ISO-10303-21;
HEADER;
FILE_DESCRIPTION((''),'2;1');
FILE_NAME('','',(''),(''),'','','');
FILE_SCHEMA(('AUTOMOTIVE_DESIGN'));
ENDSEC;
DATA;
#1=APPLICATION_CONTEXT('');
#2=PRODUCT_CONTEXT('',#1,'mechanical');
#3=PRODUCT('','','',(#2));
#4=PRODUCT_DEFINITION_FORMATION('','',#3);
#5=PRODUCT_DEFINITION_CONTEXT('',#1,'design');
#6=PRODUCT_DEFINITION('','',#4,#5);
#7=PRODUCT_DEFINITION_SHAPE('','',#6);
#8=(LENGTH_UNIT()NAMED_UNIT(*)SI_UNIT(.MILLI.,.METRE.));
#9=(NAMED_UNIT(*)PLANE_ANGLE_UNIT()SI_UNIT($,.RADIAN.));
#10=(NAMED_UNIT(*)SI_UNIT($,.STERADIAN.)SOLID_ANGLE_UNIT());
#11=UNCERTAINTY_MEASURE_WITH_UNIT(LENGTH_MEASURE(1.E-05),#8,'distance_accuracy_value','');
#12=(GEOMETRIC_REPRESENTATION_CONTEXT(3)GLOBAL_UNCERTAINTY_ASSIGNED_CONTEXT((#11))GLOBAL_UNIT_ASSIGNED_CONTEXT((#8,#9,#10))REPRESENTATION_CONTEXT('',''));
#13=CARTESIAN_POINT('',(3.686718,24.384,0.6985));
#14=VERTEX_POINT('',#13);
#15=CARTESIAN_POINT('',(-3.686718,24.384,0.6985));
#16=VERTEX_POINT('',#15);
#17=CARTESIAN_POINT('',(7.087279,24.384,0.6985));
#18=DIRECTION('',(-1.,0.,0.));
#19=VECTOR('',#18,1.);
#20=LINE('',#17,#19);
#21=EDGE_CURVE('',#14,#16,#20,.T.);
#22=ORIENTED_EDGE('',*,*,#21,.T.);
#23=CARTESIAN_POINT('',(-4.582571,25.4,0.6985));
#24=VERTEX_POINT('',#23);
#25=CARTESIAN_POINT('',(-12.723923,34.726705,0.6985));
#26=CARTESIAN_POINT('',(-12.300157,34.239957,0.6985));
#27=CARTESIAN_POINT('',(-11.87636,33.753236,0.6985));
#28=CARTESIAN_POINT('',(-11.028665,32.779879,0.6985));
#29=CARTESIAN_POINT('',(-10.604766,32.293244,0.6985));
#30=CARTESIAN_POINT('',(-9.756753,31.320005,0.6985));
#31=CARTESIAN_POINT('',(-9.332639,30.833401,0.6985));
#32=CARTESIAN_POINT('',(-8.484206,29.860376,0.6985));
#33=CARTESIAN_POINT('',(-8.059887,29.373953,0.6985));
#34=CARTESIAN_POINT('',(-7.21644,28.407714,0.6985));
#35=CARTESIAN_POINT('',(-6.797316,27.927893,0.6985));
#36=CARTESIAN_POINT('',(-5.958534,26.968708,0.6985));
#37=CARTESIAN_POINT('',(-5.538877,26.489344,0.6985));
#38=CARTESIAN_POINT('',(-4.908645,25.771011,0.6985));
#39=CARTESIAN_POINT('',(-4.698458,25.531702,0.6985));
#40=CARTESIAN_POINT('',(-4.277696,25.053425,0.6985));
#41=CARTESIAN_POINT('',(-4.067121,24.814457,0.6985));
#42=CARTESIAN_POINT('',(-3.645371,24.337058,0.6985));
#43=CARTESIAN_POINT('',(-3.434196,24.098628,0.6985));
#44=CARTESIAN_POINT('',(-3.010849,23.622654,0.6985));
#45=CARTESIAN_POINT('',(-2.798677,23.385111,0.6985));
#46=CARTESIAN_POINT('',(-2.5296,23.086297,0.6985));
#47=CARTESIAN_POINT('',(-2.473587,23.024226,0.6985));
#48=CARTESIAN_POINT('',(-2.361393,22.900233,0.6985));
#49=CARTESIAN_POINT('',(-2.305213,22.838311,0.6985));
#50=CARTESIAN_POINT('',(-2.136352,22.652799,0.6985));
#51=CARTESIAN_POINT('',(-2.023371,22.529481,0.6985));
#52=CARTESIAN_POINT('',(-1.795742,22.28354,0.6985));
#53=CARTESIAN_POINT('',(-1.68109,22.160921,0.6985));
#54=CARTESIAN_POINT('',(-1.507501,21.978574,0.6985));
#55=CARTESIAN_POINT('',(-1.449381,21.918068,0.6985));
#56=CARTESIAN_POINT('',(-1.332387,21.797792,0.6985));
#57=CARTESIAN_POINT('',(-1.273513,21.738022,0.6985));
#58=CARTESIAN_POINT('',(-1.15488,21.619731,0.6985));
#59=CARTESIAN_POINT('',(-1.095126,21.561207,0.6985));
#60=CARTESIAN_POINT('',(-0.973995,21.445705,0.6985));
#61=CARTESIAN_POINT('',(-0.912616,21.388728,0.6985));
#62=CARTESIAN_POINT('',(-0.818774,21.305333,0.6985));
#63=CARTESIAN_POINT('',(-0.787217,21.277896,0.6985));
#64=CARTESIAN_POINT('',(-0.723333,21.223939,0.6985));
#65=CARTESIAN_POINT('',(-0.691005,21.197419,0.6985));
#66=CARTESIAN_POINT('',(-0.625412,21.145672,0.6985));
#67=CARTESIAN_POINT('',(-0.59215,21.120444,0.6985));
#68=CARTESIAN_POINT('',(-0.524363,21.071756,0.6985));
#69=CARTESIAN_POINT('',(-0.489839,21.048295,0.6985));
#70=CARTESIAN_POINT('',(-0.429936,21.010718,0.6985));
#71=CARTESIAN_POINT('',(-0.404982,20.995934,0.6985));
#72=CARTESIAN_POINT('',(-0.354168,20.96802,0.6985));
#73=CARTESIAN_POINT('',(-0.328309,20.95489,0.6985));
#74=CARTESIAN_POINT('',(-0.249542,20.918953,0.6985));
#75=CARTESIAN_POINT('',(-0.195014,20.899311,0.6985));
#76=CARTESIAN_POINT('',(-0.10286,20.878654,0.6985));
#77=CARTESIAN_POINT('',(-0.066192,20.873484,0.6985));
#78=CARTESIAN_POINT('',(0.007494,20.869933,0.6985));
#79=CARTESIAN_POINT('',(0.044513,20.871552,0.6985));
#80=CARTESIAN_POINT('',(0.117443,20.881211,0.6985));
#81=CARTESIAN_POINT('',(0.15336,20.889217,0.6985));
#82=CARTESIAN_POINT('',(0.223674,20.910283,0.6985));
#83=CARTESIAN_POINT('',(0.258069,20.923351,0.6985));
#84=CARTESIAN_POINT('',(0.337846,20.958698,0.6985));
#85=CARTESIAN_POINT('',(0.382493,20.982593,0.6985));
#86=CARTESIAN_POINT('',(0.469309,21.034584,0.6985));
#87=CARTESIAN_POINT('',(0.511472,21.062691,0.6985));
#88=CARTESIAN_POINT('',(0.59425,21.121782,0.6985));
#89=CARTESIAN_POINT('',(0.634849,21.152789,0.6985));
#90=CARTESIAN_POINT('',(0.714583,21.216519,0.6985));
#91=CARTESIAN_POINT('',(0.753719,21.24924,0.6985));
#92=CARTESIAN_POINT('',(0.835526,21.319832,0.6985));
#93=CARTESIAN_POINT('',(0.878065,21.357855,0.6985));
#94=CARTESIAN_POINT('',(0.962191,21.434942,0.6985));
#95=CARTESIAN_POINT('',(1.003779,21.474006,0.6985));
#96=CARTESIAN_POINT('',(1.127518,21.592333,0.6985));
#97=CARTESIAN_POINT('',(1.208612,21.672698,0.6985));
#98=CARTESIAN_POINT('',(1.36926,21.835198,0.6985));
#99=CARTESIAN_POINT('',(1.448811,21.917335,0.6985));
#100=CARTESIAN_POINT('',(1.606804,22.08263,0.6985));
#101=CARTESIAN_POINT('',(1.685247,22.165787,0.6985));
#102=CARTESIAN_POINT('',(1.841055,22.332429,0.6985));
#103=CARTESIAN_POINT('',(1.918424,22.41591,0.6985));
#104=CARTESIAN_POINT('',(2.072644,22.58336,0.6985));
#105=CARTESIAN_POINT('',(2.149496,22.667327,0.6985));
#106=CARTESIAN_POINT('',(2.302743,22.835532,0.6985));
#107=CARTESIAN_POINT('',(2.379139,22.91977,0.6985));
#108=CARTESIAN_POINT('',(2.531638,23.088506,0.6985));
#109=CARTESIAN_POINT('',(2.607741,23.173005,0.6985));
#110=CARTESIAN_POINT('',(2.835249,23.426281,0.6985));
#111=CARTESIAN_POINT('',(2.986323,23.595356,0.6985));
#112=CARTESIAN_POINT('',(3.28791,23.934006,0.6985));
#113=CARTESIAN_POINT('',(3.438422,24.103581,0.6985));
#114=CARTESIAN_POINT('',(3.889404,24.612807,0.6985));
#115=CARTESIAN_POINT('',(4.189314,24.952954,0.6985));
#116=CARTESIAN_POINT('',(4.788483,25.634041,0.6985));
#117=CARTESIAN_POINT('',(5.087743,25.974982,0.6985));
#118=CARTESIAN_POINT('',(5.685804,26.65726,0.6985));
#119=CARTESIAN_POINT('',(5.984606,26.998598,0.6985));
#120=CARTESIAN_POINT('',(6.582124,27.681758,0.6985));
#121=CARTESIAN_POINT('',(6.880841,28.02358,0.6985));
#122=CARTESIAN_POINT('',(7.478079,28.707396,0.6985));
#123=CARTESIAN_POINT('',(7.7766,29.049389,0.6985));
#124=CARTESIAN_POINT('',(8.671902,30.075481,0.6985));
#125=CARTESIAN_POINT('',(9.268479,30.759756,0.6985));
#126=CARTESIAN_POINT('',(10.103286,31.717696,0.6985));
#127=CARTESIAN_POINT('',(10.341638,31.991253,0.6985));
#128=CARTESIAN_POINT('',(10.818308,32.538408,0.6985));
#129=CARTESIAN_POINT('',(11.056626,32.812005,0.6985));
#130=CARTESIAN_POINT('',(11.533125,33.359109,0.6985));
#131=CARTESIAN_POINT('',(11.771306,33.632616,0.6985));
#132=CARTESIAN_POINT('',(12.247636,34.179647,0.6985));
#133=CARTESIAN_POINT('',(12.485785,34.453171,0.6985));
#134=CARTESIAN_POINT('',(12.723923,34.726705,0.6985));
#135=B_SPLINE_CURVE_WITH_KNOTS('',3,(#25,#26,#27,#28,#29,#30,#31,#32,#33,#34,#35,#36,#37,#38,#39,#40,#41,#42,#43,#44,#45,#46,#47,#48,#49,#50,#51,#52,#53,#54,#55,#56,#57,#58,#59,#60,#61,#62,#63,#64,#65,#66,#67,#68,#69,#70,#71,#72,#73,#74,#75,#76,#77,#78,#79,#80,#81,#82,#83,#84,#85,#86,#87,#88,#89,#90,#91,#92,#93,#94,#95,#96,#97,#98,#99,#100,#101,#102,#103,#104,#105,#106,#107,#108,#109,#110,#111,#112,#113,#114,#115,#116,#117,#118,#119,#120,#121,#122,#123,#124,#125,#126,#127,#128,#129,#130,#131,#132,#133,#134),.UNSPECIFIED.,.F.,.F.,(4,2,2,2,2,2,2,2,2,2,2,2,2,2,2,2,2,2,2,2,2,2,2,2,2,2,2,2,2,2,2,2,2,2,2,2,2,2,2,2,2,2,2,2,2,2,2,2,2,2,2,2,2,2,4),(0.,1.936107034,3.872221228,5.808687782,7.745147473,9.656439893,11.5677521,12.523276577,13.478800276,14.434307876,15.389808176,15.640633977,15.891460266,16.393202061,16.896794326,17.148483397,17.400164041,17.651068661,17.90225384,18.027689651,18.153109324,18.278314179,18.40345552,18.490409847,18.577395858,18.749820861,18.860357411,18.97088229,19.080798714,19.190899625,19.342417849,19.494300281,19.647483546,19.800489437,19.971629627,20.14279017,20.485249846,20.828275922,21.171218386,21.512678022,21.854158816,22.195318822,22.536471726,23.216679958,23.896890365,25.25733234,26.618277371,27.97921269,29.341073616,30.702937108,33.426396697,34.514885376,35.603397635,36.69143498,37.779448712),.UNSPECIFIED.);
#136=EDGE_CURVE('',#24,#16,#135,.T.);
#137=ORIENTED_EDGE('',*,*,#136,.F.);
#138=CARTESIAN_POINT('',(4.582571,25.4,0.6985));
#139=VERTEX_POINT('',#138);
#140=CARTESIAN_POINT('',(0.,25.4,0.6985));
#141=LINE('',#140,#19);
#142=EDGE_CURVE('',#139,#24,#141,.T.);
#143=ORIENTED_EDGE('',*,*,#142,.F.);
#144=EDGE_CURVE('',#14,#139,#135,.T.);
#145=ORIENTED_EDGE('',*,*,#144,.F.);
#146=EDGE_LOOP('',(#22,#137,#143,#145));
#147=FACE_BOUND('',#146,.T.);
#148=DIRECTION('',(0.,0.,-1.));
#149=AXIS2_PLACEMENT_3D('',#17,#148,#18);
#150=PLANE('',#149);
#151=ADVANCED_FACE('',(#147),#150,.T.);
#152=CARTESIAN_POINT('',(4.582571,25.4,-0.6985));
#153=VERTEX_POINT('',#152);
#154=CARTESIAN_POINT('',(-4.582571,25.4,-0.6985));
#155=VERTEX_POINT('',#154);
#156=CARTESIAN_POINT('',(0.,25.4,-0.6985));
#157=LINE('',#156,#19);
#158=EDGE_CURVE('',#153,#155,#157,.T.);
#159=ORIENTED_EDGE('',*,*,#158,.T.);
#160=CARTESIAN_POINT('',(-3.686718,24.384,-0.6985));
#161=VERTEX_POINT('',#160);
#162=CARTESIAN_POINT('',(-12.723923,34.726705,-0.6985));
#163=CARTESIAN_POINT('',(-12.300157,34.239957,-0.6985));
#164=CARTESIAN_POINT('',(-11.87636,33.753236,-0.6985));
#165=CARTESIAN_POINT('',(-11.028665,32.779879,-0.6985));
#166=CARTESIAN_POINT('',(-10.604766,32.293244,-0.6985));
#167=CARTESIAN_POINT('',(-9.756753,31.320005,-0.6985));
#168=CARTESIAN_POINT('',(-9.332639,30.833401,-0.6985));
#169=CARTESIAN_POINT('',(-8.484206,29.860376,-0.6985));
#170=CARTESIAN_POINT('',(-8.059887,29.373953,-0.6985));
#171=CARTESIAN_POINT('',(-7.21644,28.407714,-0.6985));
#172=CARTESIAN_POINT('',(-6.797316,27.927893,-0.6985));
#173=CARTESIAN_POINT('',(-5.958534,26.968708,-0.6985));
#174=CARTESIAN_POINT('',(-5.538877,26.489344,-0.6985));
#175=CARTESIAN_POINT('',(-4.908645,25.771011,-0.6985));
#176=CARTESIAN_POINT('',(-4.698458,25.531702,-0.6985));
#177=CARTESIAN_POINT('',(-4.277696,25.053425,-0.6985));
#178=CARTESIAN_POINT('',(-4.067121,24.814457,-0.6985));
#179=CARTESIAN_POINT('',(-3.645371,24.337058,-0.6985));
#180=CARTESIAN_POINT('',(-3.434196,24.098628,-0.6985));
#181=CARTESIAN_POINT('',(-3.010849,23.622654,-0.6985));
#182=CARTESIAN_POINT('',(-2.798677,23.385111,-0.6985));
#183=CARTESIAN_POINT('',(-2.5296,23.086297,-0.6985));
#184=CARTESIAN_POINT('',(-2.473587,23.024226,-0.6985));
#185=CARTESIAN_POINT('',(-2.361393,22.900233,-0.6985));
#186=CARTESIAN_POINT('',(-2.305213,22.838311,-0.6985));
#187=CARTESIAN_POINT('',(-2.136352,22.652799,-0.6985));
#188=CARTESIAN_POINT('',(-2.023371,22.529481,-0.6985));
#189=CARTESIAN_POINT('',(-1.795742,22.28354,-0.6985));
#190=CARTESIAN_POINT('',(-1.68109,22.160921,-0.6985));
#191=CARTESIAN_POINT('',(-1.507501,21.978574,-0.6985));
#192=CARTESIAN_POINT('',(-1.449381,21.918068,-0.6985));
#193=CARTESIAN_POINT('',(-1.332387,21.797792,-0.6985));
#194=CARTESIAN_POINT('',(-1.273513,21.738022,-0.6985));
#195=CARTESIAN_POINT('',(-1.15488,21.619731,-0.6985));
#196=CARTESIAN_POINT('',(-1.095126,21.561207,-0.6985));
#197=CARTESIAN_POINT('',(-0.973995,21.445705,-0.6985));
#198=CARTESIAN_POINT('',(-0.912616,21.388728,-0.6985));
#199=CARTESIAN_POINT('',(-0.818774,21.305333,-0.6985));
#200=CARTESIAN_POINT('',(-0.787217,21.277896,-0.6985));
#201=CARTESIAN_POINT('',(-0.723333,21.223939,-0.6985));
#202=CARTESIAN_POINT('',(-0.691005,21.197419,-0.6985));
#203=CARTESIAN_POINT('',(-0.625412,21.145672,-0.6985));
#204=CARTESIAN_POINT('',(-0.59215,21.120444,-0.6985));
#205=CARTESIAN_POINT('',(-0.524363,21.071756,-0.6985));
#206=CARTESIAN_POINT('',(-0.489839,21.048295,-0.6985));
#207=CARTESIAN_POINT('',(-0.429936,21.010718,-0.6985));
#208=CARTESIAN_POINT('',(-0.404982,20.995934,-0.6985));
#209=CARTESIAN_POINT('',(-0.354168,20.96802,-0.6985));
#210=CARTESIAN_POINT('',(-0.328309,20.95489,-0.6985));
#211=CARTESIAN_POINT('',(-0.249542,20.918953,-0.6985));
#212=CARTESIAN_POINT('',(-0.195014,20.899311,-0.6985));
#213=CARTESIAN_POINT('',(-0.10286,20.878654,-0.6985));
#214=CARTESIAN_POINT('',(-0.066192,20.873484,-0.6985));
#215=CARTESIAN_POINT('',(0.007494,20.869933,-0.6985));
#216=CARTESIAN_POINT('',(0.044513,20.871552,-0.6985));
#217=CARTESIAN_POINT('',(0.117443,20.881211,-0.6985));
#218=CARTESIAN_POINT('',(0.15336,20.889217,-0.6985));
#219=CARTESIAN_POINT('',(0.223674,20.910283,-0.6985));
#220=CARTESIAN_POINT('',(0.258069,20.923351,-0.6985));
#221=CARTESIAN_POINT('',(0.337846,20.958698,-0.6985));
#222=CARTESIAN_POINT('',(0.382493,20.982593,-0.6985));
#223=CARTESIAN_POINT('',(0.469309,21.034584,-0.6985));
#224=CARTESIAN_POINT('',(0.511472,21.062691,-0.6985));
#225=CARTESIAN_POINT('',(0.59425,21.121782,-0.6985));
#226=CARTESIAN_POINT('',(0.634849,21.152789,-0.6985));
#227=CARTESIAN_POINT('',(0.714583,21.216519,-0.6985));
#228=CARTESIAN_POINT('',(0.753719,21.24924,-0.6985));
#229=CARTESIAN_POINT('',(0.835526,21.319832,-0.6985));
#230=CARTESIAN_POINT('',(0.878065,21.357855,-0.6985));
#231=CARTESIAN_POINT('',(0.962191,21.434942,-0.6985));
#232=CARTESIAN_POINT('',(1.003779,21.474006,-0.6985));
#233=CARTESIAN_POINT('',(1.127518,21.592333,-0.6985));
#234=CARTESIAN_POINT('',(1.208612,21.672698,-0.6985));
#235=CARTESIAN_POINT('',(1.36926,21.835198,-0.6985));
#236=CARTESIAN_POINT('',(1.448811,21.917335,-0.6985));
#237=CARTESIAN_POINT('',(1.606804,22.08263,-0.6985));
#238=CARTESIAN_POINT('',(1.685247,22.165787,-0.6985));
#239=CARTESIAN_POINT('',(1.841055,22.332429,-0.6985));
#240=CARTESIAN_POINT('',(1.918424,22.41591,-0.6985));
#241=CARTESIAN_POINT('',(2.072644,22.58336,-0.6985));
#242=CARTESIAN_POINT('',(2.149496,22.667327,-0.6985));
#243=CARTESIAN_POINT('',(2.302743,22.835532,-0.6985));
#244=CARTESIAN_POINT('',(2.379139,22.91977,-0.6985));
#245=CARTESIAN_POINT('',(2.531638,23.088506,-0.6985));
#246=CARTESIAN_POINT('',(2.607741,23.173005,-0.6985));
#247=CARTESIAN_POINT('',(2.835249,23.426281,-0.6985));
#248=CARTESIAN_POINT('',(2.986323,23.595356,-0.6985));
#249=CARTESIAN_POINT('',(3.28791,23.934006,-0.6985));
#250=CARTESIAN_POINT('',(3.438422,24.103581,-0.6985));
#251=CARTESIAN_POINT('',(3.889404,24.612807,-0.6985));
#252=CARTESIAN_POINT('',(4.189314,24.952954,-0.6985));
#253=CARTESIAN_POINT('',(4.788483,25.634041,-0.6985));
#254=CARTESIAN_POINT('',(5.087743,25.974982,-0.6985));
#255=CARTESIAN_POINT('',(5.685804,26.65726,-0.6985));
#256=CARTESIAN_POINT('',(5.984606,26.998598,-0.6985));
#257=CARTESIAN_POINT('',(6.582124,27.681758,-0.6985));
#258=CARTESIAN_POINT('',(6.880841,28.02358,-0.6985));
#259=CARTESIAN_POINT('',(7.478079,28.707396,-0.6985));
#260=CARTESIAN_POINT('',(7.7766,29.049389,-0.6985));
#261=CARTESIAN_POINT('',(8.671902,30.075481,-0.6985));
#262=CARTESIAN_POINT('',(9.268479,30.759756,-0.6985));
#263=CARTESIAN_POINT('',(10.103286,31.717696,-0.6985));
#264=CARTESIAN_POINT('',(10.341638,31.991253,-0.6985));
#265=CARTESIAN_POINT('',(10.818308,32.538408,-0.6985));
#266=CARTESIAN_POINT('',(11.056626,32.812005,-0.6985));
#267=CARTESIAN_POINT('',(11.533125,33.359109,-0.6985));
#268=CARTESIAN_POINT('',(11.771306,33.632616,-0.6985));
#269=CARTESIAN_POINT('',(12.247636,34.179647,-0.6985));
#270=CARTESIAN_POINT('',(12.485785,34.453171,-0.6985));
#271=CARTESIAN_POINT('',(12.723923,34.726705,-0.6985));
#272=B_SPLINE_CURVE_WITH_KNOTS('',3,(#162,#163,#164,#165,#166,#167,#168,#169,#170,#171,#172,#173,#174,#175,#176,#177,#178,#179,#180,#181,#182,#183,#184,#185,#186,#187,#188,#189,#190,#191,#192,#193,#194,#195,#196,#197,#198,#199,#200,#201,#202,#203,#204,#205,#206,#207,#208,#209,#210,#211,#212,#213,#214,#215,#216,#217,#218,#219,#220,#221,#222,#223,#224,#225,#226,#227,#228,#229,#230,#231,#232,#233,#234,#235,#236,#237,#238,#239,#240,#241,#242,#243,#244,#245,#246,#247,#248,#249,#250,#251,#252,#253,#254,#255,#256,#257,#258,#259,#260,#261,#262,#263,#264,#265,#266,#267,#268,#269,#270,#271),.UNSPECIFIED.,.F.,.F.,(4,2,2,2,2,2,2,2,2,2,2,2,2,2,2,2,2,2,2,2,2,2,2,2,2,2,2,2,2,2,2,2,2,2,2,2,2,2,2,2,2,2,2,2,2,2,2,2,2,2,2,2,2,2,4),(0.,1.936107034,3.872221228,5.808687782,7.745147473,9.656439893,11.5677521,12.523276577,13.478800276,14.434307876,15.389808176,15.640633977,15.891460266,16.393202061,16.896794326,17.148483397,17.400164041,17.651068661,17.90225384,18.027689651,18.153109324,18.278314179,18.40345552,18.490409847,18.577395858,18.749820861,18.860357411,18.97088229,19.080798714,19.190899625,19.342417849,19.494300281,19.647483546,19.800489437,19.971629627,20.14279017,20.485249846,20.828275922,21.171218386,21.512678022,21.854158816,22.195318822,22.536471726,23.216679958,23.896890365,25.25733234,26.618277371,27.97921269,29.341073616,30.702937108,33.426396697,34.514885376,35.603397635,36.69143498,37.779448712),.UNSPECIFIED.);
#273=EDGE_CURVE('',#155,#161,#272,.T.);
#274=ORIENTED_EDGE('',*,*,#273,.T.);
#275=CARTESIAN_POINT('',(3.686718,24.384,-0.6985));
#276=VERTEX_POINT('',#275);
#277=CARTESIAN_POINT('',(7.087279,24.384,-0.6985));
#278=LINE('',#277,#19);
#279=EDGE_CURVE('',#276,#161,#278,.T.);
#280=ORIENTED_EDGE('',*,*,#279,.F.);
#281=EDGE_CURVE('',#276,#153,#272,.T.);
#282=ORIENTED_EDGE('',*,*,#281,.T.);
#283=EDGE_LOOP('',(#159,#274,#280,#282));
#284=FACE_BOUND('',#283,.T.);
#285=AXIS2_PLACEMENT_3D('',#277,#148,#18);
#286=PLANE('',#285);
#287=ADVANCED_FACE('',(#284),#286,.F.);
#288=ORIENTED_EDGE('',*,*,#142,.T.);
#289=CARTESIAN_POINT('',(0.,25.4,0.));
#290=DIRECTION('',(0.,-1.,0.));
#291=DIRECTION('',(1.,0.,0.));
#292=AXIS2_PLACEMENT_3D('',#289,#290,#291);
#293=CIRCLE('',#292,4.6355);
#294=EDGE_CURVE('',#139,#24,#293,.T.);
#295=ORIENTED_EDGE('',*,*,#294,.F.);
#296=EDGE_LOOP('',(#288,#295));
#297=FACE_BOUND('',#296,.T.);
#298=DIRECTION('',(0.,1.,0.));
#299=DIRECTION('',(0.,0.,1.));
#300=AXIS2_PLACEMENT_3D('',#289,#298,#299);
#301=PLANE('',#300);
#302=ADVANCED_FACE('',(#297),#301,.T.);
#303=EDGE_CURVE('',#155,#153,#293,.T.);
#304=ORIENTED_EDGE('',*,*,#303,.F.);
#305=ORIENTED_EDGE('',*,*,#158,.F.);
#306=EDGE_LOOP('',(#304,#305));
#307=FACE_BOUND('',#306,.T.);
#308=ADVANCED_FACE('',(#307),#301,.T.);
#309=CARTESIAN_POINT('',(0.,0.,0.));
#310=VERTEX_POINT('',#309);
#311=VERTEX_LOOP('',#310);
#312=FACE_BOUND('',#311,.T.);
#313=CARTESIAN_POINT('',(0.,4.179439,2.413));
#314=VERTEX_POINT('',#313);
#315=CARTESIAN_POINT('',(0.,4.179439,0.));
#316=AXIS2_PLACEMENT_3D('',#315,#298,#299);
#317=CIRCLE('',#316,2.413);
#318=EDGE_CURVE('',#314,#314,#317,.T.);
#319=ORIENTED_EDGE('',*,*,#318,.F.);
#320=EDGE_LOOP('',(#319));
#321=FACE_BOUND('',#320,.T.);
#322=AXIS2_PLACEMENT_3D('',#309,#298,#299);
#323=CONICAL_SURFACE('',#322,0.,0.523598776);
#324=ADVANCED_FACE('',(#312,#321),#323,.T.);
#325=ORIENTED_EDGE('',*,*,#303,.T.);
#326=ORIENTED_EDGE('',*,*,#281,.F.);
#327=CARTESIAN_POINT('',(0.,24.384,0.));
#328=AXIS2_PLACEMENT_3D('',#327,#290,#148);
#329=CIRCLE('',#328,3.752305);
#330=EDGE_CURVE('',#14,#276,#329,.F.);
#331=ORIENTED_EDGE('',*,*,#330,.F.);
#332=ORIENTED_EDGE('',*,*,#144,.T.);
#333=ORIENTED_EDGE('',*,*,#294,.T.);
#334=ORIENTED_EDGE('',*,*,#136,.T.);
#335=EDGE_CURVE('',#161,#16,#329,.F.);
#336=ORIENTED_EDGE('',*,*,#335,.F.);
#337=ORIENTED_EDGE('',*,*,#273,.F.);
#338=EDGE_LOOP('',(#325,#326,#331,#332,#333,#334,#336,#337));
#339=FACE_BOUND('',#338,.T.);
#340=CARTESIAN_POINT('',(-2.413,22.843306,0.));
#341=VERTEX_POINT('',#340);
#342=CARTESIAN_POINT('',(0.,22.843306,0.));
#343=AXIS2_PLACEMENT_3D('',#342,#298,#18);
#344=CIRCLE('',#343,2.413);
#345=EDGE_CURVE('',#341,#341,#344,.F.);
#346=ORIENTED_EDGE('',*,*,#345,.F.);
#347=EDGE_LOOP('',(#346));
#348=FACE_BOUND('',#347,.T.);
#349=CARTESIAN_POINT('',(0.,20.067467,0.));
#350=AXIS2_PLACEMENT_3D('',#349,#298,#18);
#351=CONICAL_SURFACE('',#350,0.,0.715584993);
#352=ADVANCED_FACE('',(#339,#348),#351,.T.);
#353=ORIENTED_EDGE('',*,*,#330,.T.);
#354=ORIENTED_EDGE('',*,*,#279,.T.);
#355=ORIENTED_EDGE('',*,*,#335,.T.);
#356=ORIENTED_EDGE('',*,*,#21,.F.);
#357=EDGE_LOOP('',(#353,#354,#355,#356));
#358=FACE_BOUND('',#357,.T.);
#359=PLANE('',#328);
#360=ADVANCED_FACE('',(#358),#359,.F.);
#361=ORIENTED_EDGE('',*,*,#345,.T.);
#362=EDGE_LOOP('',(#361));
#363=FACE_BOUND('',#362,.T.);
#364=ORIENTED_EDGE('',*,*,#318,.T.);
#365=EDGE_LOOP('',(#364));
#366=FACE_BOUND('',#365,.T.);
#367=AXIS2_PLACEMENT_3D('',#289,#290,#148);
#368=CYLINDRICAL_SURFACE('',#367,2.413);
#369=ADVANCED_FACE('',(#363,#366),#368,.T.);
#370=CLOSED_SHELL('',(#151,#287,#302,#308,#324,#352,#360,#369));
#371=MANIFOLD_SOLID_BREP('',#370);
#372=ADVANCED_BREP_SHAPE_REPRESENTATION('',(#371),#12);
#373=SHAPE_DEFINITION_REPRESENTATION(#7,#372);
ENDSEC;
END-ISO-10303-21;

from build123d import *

# Parameters (mm, degrees)
SKETCH1_R           = 2.413
BOSS_EXTRUDE1_DEPTH = 25.4
SKETCH3_W           = 2.413
SKETCH3_H           = 0.635
SKETCH4_W           = 14.174557954
SKETCH4_H           = 1.397
CUT_EXTRUDE1_DEPTH  = 1.016


with BuildPart() as part:
    # Sketch1 → Boss-Extrude1 (new body)
    with BuildSketch(Plane(origin=(0, 0, 0), x_dir=(1, 0, 0), z_dir=(0, 1, 0))):
        Circle(SKETCH1_R)
    extrude(amount=BOSS_EXTRUDE1_DEPTH)

    # Sketch2 → Revolve1 (revolve)
    with BuildSketch(Plane.XY):
        Polygon((0, 25.4), (4.6355, 25.4), (0, 20.067467248), align=None)
    revolve(axis=Axis((0, 20.067467248, 0), (0, 1, 0)))

    # Sketch3 → Cut-Revolve1 (revolve, cut)
    with BuildSketch(Plane.XY):
        Polygon((2.413, 0), (0, 0), (2.413, 4.179438599), align=None)
        with Locations((1.2065, -0.3175)):
            Rectangle(SKETCH3_W, SKETCH3_H)
    revolve(axis=Axis((0, 4.385214031, 0), (0, -1, 0)), mode=Mode.SUBTRACT)

    # Sketch4 → Cut-Extrude1 (cut)
    with BuildSketch(Plane(origin=(0, 25.4, 0), x_dir=(1, 0, 0), z_dir=(0, 1, 0))):
        Rectangle(SKETCH4_W, SKETCH4_H)
    extrude(amount=-CUT_EXTRUDE1_DEPTH, mode=Mode.SUBTRACT)


solid = part.part
